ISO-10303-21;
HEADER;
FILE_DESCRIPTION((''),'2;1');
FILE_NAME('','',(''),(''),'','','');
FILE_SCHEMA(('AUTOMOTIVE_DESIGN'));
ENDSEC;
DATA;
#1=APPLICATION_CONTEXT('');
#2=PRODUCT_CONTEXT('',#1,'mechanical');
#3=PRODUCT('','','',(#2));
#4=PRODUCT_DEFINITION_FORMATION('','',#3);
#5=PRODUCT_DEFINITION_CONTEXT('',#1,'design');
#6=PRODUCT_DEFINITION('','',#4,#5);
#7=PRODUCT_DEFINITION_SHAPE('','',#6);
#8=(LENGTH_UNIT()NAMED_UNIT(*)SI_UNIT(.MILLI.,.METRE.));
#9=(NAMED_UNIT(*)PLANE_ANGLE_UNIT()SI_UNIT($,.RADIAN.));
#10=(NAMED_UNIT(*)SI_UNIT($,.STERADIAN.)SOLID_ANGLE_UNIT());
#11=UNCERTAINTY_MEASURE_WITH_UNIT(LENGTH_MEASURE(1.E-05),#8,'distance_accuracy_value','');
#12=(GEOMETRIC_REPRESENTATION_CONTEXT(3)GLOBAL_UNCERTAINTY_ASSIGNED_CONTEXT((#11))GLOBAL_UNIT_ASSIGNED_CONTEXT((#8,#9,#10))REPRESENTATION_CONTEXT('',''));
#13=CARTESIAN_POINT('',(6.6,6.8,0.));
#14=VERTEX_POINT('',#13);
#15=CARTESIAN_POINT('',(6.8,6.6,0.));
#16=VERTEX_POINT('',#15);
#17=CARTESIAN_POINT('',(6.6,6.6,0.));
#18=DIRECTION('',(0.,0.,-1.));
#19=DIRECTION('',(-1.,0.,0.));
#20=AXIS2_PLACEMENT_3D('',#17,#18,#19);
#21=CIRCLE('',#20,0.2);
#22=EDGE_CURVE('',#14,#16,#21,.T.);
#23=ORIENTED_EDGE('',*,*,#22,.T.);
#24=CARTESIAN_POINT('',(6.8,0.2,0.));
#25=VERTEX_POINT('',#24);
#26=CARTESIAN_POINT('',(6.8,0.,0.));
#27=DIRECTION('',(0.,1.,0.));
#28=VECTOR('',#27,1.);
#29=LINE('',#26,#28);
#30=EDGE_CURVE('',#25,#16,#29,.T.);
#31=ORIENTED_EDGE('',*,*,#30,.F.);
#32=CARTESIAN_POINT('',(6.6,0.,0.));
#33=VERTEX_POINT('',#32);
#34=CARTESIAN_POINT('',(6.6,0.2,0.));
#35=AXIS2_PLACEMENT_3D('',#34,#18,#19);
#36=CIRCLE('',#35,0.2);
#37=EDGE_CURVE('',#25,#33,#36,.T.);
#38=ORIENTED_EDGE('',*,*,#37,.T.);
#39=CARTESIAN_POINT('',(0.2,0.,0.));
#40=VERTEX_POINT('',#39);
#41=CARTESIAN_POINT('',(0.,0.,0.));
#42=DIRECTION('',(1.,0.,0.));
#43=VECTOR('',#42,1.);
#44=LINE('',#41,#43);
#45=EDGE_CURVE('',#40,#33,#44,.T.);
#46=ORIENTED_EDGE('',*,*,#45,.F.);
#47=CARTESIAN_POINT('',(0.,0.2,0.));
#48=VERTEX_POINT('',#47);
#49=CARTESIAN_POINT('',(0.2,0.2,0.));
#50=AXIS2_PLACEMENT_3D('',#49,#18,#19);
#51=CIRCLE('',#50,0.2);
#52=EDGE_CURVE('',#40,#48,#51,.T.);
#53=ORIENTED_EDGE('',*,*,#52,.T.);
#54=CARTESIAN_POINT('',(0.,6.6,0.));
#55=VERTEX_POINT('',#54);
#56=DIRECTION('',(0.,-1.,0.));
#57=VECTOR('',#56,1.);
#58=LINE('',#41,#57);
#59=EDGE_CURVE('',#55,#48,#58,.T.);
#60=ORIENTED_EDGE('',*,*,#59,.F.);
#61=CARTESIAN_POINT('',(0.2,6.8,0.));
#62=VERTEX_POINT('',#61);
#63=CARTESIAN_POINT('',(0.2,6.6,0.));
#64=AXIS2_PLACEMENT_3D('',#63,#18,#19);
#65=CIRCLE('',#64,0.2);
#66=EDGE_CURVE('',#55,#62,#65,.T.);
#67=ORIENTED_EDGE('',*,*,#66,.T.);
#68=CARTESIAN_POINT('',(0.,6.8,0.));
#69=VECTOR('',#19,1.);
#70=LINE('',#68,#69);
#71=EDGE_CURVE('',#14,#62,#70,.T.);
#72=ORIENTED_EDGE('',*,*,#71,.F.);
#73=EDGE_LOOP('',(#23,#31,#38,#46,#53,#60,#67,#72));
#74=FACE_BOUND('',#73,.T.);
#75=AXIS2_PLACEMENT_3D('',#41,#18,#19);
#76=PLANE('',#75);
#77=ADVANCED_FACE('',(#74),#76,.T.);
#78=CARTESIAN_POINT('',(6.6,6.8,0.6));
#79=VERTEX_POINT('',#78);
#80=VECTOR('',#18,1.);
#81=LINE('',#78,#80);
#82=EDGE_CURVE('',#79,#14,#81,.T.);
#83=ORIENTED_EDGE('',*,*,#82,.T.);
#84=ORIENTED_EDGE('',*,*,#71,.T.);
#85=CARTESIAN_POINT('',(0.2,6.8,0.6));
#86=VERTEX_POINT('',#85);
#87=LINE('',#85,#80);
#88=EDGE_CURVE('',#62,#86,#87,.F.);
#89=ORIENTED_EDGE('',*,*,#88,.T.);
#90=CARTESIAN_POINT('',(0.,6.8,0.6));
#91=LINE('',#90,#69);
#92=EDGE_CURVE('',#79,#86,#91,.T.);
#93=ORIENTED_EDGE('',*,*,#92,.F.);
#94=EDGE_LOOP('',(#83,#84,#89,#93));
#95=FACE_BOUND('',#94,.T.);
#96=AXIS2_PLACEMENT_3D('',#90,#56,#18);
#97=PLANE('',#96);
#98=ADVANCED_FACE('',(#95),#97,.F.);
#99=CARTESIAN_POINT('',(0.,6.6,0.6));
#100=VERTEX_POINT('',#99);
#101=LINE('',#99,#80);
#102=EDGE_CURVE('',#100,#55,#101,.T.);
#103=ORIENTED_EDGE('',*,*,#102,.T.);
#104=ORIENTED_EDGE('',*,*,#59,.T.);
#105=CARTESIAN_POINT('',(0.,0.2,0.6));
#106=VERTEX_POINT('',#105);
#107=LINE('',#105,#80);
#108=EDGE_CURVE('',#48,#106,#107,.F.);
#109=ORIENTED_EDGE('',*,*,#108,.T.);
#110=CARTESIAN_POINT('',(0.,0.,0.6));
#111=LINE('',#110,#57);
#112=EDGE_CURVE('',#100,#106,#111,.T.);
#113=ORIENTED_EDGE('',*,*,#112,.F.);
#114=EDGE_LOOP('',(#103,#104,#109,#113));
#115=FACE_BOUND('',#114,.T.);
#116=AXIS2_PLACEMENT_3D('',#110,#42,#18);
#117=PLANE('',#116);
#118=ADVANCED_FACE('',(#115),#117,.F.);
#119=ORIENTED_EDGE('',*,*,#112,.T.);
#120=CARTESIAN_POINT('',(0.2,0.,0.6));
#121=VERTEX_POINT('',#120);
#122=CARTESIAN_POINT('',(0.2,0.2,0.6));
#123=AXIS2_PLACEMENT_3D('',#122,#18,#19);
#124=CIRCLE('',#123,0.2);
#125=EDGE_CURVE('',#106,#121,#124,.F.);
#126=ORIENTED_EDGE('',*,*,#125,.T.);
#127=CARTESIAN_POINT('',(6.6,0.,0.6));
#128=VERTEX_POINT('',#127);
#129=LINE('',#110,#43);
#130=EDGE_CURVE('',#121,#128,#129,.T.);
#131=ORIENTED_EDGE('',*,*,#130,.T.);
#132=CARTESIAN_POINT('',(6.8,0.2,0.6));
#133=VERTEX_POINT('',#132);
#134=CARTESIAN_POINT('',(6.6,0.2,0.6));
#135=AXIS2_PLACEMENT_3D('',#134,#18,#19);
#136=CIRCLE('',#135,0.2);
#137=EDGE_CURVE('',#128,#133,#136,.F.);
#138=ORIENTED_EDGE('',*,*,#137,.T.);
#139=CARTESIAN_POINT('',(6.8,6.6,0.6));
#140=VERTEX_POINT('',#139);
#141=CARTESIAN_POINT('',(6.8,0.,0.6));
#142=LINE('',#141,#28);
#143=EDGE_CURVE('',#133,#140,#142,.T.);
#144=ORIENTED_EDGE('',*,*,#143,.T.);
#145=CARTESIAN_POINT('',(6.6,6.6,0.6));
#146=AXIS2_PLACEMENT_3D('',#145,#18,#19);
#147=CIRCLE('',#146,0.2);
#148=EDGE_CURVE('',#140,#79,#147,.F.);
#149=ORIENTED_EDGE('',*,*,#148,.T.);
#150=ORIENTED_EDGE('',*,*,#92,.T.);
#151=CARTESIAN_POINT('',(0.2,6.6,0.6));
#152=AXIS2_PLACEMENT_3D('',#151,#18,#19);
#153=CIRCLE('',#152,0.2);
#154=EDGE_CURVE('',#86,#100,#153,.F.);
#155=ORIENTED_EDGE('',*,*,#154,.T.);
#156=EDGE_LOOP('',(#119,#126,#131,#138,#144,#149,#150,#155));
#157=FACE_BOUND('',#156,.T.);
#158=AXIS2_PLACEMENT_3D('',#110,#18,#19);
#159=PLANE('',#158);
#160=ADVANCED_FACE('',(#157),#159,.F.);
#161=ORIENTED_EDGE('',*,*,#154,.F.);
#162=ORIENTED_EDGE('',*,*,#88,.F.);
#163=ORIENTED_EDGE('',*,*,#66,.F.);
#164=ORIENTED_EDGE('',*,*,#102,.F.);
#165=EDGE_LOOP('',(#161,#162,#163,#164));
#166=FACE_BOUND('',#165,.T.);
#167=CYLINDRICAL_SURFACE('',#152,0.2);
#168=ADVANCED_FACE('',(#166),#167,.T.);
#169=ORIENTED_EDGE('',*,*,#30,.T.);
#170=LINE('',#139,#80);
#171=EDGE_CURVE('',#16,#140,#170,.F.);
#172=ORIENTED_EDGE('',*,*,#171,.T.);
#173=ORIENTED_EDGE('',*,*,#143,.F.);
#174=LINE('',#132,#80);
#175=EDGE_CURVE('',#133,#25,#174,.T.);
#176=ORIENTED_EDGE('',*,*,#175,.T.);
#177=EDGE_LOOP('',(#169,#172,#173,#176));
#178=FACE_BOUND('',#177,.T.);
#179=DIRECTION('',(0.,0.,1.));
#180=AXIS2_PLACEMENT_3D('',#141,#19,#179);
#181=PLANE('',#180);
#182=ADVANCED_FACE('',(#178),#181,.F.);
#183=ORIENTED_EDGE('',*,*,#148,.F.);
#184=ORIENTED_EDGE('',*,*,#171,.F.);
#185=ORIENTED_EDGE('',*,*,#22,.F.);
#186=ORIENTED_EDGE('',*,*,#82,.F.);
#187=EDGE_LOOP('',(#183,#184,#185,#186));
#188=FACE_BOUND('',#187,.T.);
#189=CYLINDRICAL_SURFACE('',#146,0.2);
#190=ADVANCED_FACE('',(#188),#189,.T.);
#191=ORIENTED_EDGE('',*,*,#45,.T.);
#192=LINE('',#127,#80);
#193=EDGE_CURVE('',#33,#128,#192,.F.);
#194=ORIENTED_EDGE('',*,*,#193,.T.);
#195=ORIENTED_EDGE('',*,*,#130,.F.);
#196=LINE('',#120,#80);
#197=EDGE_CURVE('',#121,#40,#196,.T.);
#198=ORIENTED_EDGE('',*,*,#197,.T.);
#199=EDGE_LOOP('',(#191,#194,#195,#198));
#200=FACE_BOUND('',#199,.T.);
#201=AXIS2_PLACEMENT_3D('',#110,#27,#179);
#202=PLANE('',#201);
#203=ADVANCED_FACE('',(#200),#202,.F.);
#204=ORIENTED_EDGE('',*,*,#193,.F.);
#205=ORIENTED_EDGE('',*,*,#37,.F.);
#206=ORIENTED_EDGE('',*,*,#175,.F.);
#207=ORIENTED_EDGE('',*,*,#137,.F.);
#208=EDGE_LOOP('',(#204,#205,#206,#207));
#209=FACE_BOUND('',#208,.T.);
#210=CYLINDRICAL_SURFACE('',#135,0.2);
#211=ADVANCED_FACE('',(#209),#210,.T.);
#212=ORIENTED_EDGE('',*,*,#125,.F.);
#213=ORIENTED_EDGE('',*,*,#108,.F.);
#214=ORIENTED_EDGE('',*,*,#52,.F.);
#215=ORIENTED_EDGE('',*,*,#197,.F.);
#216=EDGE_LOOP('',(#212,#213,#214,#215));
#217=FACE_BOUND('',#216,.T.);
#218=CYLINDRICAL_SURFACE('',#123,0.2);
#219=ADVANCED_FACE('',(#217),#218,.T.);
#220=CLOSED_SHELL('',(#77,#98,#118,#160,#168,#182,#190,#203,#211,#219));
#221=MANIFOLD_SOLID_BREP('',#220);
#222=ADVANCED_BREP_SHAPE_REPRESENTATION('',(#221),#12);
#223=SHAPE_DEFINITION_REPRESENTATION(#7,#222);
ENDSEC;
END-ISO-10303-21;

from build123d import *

# Parameters (mm, degrees)
SKETCH_1_W      = 6.8
SKETCH_1_H      = 6.8
EXTRUDE_1_DEPTH = 0.6
FILLET_1_R      = 0.2


with BuildPart() as part:
    # 草图1 → 凸台-拉伸1 (new body)
    with BuildSketch(Plane.XY):
        with Locations((3.4, 3.4)):
            Rectangle(SKETCH_1_W, SKETCH_1_H)
    extrude(amount=EXTRUDE_1_DEPTH)

    # 圆角1
    fillet_1_edges = [part.edges().sort_by_distance(p)[0] for p in [
        (0, 6.8, 0.3),
        (6.8, 6.8, 0.3),
        (6.8, 0, 0.3),
        (0, 0, 0.3),
    ]]
    fillet(fillet_1_edges, radius=FILLET_1_R)


solid = part.part
